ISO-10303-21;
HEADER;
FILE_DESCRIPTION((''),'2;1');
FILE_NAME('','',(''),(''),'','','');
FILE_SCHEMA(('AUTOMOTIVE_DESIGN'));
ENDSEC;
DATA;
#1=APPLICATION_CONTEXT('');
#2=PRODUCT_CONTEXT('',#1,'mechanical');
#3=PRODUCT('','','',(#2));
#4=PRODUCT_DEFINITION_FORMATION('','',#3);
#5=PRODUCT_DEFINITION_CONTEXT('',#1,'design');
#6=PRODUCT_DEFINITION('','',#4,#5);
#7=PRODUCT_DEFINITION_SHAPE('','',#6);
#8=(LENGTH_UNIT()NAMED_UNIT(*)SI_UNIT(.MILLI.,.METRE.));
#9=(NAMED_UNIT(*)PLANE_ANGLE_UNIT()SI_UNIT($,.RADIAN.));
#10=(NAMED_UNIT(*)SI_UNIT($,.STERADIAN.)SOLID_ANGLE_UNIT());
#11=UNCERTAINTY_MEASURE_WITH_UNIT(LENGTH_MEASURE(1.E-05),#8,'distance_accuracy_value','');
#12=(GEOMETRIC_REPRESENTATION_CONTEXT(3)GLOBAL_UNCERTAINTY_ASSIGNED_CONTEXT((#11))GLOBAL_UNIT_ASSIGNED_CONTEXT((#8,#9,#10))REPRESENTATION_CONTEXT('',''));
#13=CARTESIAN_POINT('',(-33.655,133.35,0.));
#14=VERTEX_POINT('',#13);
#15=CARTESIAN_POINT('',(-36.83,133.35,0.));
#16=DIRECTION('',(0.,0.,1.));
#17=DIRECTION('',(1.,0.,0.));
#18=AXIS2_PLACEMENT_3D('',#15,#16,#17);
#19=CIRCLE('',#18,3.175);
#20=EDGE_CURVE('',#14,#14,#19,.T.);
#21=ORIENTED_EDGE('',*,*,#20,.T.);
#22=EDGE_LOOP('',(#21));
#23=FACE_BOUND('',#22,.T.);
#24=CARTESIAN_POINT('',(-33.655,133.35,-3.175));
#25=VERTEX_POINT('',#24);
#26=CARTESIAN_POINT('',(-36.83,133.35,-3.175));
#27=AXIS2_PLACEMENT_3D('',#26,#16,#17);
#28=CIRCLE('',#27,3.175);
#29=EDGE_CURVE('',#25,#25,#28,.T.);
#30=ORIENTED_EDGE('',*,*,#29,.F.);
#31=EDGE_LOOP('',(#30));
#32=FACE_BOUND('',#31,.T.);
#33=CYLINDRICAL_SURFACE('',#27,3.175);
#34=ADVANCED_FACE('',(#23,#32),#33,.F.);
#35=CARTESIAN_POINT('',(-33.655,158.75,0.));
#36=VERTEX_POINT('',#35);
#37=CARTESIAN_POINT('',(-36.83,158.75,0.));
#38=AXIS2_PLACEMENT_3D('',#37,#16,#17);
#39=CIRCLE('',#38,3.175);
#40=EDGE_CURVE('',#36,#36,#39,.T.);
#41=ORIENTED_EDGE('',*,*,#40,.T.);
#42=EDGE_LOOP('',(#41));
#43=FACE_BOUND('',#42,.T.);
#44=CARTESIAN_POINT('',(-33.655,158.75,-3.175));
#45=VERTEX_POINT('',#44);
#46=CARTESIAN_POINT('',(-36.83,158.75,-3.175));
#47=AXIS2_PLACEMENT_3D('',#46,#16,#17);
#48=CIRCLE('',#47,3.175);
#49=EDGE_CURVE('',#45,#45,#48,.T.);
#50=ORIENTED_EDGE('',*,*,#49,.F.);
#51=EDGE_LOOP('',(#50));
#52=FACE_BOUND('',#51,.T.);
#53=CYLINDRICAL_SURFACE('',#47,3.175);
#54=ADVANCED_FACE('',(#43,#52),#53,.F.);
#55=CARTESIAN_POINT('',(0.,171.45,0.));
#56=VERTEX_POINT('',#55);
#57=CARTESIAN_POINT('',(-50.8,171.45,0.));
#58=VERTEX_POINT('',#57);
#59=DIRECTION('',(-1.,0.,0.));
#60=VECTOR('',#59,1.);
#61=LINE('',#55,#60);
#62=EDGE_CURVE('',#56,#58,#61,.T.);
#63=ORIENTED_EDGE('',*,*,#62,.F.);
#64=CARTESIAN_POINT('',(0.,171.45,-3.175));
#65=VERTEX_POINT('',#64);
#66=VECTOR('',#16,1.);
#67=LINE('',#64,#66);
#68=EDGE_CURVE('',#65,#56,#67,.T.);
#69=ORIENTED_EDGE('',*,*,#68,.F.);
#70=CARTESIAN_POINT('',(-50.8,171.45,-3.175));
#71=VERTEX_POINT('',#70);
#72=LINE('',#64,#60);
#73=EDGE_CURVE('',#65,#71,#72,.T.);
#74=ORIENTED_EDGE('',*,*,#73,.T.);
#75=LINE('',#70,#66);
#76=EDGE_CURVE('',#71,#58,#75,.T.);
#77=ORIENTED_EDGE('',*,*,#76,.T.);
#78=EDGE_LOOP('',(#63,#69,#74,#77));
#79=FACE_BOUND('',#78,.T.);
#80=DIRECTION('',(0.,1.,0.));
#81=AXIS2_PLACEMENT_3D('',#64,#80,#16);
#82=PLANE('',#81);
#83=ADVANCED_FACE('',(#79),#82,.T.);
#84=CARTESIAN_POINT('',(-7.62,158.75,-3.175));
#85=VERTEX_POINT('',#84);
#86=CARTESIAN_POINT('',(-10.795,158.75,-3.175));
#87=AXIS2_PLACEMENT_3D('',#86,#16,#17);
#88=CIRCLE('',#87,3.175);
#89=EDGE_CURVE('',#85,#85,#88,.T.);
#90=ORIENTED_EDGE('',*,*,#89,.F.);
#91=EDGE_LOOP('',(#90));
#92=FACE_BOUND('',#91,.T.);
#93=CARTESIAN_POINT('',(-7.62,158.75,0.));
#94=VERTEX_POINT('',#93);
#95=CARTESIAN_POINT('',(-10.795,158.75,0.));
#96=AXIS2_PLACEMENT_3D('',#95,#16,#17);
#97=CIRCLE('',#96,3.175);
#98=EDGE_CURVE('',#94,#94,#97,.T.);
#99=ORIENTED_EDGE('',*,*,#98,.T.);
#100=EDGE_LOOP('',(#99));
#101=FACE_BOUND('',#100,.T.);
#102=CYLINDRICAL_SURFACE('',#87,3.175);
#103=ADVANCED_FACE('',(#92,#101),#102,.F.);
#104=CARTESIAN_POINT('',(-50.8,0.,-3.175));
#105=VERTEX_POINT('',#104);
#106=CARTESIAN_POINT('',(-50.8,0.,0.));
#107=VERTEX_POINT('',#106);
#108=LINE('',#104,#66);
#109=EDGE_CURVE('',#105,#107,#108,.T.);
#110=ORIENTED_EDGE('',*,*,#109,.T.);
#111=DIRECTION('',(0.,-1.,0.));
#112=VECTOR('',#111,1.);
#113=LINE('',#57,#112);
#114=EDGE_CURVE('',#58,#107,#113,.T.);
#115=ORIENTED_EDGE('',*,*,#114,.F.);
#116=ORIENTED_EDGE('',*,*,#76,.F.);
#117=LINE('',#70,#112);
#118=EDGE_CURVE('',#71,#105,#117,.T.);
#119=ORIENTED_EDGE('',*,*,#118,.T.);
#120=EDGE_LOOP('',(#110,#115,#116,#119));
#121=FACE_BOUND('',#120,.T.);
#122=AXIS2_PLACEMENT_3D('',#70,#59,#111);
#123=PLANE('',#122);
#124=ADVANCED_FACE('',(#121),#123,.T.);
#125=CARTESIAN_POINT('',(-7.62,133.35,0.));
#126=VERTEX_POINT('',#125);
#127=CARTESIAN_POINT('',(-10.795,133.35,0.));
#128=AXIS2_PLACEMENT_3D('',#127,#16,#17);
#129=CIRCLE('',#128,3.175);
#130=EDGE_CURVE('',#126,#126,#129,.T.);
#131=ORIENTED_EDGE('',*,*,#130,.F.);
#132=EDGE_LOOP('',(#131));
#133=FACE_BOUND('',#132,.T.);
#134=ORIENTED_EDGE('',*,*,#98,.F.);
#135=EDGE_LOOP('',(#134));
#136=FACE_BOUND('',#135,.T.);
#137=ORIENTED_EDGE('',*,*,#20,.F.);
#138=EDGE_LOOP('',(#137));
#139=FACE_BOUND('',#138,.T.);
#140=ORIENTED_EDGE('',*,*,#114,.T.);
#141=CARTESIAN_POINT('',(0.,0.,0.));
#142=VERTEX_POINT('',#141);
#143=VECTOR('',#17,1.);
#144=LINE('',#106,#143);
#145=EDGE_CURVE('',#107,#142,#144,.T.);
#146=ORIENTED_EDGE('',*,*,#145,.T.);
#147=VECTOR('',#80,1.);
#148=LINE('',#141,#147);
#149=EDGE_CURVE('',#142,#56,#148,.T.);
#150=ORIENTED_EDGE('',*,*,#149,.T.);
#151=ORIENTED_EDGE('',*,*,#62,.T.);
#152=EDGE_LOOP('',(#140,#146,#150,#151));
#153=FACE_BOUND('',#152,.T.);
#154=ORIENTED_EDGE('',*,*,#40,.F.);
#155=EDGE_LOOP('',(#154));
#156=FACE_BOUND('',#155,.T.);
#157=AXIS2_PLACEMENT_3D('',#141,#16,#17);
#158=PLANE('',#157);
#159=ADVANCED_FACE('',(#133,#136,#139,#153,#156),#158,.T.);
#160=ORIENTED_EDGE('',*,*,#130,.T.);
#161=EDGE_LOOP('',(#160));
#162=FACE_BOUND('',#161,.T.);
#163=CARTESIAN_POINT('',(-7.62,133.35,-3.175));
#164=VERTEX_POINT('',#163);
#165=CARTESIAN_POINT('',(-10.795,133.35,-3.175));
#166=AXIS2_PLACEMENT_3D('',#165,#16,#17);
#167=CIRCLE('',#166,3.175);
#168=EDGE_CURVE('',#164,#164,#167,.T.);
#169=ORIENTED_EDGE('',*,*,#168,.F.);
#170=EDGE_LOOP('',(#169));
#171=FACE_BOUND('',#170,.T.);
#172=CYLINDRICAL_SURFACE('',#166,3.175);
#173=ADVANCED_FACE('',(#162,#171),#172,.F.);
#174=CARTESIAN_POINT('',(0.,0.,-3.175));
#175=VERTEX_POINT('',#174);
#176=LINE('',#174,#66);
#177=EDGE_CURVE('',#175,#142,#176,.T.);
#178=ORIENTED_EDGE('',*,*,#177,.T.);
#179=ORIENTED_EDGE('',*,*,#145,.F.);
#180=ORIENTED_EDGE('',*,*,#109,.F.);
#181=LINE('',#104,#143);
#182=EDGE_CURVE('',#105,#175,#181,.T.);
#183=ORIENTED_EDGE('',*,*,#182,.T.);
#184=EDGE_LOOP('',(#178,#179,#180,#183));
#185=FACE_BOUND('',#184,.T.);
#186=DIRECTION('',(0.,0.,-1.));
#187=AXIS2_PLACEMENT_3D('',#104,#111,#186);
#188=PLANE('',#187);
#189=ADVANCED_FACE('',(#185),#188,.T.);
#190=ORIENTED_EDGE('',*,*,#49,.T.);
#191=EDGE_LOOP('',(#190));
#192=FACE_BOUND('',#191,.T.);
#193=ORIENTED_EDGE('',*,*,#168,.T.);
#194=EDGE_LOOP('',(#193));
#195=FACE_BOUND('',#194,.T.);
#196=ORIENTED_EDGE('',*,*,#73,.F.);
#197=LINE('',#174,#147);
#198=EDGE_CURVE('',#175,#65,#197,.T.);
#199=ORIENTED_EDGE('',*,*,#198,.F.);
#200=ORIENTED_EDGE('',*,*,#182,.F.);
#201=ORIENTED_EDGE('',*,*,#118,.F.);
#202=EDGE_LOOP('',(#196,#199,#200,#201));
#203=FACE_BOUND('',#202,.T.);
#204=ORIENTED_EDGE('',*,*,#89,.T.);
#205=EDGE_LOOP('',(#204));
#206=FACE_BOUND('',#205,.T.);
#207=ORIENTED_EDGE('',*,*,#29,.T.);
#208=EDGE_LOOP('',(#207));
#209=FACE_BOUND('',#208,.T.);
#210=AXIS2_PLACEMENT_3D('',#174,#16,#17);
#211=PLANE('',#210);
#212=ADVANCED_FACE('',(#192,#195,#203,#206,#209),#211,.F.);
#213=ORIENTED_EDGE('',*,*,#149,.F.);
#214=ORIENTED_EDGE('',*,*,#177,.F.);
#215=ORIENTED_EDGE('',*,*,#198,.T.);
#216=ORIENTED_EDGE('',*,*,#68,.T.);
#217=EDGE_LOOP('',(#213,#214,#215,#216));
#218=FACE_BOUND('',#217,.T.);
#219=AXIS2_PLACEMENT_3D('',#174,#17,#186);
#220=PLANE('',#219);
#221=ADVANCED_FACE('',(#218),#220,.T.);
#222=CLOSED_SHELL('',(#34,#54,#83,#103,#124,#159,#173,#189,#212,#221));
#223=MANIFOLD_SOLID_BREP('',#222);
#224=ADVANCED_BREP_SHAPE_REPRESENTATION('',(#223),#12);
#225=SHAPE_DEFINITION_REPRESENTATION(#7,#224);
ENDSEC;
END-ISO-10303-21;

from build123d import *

# Parameters (mm, degrees)
SKETCH1_W           = 50.8
SKETCH1_H           = 171.45
BOSS_EXTRUDE2_DEPTH = 3.175
SKETCH2_R           = 3.175
CUT_EXTRUDE1_DEPTH  = 179.84580824


with BuildPart() as part:
    # Sketch1 → Boss-Extrude2 (new body)
    with BuildSketch(Plane.XY):
        with Locations((-25.4, 85.725)):
            Rectangle(SKETCH1_W, SKETCH1_H)
    extrude(amount=-BOSS_EXTRUDE2_DEPTH)

    # Sketch2 → Cut-Extrude1 (cut, through all)
    with BuildSketch(Plane.XY):
        with Locations((-10.795, 158.75)):
            Circle(SKETCH2_R)
        with Locations((-36.83, 158.75)):
            Circle(SKETCH2_R)
        with Locations((-10.795, 133.35)):
            Circle(SKETCH2_R)
        with Locations((-36.83, 133.35)):
            Circle(SKETCH2_R)
    extrude(amount=-CUT_EXTRUDE1_DEPTH, mode=Mode.SUBTRACT)


solid = part.part
